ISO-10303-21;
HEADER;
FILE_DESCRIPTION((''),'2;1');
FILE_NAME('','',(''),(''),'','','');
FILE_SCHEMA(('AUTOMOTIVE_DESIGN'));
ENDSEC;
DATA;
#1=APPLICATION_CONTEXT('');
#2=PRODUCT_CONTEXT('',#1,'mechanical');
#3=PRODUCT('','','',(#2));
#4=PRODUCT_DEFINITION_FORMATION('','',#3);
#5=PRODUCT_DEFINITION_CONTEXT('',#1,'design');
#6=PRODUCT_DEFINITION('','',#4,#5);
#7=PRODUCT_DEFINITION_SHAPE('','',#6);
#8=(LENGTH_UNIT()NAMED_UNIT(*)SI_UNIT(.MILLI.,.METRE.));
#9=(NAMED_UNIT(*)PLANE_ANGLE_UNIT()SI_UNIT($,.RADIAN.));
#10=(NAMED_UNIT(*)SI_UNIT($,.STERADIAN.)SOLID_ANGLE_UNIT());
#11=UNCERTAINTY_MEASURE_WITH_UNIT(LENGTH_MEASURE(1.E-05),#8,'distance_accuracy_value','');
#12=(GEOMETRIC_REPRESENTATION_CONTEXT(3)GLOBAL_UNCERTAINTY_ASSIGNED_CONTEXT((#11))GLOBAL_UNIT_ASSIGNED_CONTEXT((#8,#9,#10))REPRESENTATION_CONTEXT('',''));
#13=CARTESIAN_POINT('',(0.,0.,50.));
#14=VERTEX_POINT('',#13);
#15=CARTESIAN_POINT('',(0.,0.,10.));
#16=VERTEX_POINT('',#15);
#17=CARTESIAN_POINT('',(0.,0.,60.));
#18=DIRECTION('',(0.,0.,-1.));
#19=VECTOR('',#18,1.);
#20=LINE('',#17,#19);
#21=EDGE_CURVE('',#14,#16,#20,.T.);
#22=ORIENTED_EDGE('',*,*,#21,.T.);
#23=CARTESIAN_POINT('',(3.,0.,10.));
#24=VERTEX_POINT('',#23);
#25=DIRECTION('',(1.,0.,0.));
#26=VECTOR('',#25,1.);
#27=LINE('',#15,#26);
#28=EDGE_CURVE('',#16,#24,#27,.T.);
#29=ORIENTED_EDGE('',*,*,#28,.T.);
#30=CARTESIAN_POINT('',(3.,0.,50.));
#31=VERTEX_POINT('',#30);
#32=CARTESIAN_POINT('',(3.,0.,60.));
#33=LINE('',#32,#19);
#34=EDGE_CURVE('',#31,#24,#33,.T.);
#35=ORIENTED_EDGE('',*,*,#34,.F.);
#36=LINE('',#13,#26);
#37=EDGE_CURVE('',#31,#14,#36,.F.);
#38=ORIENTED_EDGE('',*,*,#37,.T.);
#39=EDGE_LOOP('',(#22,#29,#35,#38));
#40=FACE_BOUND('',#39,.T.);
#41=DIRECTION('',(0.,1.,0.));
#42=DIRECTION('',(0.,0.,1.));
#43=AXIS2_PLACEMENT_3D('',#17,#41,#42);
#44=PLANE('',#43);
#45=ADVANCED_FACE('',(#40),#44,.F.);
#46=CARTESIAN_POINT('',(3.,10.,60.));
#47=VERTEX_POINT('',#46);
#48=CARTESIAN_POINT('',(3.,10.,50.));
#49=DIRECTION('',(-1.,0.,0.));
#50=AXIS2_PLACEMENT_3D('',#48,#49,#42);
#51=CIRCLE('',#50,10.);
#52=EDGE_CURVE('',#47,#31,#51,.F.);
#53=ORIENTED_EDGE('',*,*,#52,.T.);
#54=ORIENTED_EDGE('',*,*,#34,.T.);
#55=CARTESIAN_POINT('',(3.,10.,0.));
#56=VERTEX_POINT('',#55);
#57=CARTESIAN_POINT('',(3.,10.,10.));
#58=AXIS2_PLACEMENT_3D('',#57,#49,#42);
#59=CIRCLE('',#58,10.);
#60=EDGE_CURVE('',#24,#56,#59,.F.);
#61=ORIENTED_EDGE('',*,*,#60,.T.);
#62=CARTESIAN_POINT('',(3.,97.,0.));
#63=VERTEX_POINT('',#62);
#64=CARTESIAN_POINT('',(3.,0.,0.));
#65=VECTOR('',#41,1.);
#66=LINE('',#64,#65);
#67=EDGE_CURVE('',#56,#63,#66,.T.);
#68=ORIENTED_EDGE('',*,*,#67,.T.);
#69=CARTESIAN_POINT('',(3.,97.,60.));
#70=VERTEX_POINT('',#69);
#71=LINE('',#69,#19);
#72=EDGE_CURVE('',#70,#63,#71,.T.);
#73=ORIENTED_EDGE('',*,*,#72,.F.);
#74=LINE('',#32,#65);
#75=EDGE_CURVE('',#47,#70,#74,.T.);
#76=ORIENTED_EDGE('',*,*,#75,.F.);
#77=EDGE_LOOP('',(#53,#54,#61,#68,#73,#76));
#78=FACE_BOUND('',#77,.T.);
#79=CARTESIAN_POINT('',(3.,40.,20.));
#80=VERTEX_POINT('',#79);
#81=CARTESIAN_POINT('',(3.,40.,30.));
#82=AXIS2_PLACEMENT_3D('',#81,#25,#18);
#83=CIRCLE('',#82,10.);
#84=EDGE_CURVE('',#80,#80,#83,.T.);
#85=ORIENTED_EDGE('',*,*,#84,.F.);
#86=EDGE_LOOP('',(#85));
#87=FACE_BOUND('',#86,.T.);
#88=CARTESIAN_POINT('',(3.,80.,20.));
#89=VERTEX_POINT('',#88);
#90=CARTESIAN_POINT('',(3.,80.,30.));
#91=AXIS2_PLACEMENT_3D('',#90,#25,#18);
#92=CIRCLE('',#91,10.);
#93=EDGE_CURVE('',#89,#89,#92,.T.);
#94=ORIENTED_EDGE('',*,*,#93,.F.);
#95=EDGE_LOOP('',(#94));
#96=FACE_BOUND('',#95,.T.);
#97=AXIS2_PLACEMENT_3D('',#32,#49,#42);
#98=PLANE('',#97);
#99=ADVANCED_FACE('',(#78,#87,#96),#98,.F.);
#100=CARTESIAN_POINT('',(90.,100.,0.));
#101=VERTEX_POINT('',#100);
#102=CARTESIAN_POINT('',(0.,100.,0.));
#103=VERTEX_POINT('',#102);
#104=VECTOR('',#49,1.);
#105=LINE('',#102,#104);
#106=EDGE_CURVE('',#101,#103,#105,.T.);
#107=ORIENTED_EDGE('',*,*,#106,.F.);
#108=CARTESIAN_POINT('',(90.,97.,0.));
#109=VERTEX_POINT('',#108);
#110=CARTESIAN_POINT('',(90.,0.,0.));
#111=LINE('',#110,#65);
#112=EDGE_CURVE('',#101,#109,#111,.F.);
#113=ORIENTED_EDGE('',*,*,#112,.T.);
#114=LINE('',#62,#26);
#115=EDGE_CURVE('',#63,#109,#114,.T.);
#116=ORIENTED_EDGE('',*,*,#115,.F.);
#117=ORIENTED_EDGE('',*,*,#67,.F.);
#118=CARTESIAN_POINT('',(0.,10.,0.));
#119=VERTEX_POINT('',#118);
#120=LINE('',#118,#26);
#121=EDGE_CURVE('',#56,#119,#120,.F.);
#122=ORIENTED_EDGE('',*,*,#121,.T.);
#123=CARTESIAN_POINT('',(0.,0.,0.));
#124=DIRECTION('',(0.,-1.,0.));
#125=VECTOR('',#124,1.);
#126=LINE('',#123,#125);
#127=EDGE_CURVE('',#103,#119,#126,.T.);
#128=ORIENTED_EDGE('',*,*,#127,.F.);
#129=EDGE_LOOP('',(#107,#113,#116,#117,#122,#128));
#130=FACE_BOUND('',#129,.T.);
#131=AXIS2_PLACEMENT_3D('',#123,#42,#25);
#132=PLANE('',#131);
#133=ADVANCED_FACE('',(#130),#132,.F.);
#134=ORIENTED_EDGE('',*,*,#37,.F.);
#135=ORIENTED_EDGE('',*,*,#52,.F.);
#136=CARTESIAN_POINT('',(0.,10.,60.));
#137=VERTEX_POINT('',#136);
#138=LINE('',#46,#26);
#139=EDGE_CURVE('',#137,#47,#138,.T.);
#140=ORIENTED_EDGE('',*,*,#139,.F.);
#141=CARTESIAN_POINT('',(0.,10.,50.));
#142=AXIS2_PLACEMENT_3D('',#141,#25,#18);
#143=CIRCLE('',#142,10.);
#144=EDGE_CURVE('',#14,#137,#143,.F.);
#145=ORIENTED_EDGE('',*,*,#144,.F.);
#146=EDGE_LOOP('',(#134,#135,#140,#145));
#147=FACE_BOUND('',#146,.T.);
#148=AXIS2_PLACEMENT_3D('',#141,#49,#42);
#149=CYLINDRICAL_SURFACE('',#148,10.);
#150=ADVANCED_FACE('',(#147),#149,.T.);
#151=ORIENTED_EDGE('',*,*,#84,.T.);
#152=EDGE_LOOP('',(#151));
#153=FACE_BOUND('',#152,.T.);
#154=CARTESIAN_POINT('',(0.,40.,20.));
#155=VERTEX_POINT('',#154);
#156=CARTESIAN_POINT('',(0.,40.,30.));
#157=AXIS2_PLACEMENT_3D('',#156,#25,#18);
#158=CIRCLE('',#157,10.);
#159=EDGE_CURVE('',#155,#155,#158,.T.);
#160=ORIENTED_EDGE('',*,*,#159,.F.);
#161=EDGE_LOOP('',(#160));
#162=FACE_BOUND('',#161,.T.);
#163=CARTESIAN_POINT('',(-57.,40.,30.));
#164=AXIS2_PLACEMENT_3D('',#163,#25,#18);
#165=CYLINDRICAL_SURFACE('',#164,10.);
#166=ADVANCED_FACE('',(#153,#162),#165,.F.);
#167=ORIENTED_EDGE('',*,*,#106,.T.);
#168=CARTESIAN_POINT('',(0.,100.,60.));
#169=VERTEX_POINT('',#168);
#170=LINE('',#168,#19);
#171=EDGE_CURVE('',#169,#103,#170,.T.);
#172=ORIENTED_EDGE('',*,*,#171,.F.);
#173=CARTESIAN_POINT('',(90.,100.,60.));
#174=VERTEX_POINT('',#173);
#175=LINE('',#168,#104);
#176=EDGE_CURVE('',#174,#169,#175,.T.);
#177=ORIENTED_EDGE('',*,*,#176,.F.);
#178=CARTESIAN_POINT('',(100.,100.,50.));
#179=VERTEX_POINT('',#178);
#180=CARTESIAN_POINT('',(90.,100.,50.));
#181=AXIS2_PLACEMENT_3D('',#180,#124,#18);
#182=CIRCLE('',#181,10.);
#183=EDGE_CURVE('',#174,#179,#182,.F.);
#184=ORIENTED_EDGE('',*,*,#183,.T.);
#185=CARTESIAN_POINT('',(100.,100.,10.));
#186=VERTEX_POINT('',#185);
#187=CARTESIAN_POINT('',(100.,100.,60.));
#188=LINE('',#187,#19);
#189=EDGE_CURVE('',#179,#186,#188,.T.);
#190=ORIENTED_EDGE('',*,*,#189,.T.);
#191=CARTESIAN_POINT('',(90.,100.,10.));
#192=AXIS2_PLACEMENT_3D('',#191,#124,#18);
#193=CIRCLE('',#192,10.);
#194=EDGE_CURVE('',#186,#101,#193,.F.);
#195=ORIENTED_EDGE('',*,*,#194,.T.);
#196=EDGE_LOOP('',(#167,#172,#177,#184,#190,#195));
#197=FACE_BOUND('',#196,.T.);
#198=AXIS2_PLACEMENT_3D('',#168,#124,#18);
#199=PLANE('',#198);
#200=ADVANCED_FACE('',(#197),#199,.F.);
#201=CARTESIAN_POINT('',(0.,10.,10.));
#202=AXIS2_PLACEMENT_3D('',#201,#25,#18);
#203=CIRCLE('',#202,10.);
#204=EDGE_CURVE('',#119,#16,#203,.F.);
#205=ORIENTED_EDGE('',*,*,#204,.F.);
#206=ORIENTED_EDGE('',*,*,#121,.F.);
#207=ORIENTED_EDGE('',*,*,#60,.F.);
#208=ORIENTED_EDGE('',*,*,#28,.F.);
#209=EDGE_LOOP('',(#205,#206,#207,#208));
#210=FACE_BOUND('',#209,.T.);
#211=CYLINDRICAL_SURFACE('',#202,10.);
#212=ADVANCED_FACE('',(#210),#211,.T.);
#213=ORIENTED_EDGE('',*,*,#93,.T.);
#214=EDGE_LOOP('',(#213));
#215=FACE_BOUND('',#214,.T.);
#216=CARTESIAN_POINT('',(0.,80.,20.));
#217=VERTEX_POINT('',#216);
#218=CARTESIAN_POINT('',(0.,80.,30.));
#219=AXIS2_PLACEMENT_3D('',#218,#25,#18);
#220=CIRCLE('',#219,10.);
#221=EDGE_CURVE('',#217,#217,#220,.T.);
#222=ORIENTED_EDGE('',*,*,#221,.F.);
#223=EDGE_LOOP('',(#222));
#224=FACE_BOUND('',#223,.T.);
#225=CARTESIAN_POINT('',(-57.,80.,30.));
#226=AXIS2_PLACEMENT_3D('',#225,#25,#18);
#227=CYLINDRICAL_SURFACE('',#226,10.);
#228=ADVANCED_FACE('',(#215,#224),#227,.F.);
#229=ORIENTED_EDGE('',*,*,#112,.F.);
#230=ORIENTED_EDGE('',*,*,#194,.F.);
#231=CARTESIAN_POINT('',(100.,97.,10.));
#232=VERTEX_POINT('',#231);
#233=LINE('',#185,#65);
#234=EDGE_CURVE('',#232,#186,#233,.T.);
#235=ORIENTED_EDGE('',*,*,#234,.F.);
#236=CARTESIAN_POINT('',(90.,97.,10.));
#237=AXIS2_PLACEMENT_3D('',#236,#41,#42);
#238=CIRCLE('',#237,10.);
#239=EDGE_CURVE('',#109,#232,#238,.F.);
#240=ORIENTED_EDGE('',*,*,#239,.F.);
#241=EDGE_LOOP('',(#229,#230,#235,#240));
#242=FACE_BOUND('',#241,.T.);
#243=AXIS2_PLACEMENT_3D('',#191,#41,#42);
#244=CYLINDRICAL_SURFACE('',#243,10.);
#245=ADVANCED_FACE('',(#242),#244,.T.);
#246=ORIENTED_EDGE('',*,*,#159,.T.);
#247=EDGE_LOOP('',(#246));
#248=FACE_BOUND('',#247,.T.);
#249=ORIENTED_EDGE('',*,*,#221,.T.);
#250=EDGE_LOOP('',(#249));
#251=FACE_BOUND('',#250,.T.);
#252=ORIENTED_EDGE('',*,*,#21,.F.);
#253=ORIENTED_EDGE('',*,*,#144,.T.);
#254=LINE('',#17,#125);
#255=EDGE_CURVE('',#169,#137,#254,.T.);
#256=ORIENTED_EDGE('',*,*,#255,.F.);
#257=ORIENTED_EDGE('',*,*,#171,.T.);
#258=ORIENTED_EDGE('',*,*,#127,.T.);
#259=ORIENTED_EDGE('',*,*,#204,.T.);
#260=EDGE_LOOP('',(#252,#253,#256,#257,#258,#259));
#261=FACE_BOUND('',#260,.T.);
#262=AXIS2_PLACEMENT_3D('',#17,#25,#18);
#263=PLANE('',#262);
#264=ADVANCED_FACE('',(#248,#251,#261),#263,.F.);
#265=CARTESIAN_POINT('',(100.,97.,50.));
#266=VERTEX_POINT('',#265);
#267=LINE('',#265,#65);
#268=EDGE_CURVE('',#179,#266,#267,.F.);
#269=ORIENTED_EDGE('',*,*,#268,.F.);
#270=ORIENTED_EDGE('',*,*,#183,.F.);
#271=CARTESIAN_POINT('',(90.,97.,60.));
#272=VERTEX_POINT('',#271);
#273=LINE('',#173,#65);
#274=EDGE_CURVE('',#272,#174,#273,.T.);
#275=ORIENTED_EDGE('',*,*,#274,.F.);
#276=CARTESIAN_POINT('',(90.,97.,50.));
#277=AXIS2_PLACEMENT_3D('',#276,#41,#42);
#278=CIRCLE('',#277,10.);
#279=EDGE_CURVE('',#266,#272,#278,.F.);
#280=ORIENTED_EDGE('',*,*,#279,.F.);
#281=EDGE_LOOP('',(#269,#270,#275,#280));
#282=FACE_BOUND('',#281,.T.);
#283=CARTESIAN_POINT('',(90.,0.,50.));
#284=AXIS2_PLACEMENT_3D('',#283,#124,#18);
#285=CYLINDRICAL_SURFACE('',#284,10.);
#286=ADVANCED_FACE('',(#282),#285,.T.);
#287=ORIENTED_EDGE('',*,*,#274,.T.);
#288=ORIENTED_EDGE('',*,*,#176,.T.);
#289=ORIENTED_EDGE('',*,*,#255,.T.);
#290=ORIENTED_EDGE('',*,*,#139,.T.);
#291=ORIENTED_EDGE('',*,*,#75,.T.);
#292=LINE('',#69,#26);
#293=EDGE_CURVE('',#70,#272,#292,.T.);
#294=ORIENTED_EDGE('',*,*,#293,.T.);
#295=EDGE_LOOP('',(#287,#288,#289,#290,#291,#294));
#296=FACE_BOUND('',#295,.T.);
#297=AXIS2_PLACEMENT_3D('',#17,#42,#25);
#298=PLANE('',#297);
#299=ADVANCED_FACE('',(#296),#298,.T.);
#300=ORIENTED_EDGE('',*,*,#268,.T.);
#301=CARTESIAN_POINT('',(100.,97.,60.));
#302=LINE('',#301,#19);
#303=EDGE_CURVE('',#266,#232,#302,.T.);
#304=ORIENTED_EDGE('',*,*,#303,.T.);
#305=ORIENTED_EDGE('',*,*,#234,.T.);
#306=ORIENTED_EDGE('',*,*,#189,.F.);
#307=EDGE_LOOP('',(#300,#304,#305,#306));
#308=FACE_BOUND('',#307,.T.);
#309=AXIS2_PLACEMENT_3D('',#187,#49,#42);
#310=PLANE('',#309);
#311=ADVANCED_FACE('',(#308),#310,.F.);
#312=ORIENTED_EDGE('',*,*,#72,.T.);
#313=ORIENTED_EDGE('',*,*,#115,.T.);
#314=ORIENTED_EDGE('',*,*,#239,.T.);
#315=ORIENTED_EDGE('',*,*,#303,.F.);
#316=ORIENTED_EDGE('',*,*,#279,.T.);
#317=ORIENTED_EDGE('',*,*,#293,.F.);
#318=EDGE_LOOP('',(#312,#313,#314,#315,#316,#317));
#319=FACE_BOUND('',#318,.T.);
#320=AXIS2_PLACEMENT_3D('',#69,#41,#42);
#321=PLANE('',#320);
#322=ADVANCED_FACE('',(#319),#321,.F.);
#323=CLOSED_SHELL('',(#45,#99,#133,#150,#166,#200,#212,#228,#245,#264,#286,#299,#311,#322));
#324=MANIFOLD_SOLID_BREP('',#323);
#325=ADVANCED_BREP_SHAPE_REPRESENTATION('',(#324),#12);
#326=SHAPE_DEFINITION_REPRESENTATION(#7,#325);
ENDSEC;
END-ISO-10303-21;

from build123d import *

# Parameters (mm, degrees)
BOSS_EXTRUDE1_DEPTH = 60
FILLET1_R           = 10
FILLET2_R           = 10
SKETCH2_R           = 10
CUT_EXTRUDE1_DEPTH  = 60


with BuildPart() as part:
    # Sketch1 → Boss-Extrude1 (new body)
    with BuildSketch(Plane.XY):
        Polygon((0, 0), (0, 100), (100, 100), (100, 97), (3, 97), (3, 0), align=None)
    extrude(amount=BOSS_EXTRUDE1_DEPTH)

    # Fillet1
    fillet1_edges = [part.edges().sort_by_distance(p)[0] for p in [
        (100, 98.5, 60),
        (100, 98.5, 0),
    ]]
    fillet(fillet1_edges, radius=FILLET1_R)

    # Fillet2
    fillet2_edges = [part.edges().sort_by_distance(p)[0] for p in [
        (1.5, 0, 60),
        (1.5, 0, 0),
    ]]
    fillet(fillet2_edges, radius=FILLET2_R)

    # Sketch2 → Cut-Extrude1 (cut)
    with BuildSketch(Plane(origin=(3, 0, 0), x_dir=(0, 0, -1), z_dir=(1, 0, 0))):
        with Locations((-30, 40)):
            Circle(SKETCH2_R)
        with Locations((-30, 80)):
            Circle(SKETCH2_R)
    extrude(amount=-CUT_EXTRUDE1_DEPTH, mode=Mode.SUBTRACT)


solid = part.part
